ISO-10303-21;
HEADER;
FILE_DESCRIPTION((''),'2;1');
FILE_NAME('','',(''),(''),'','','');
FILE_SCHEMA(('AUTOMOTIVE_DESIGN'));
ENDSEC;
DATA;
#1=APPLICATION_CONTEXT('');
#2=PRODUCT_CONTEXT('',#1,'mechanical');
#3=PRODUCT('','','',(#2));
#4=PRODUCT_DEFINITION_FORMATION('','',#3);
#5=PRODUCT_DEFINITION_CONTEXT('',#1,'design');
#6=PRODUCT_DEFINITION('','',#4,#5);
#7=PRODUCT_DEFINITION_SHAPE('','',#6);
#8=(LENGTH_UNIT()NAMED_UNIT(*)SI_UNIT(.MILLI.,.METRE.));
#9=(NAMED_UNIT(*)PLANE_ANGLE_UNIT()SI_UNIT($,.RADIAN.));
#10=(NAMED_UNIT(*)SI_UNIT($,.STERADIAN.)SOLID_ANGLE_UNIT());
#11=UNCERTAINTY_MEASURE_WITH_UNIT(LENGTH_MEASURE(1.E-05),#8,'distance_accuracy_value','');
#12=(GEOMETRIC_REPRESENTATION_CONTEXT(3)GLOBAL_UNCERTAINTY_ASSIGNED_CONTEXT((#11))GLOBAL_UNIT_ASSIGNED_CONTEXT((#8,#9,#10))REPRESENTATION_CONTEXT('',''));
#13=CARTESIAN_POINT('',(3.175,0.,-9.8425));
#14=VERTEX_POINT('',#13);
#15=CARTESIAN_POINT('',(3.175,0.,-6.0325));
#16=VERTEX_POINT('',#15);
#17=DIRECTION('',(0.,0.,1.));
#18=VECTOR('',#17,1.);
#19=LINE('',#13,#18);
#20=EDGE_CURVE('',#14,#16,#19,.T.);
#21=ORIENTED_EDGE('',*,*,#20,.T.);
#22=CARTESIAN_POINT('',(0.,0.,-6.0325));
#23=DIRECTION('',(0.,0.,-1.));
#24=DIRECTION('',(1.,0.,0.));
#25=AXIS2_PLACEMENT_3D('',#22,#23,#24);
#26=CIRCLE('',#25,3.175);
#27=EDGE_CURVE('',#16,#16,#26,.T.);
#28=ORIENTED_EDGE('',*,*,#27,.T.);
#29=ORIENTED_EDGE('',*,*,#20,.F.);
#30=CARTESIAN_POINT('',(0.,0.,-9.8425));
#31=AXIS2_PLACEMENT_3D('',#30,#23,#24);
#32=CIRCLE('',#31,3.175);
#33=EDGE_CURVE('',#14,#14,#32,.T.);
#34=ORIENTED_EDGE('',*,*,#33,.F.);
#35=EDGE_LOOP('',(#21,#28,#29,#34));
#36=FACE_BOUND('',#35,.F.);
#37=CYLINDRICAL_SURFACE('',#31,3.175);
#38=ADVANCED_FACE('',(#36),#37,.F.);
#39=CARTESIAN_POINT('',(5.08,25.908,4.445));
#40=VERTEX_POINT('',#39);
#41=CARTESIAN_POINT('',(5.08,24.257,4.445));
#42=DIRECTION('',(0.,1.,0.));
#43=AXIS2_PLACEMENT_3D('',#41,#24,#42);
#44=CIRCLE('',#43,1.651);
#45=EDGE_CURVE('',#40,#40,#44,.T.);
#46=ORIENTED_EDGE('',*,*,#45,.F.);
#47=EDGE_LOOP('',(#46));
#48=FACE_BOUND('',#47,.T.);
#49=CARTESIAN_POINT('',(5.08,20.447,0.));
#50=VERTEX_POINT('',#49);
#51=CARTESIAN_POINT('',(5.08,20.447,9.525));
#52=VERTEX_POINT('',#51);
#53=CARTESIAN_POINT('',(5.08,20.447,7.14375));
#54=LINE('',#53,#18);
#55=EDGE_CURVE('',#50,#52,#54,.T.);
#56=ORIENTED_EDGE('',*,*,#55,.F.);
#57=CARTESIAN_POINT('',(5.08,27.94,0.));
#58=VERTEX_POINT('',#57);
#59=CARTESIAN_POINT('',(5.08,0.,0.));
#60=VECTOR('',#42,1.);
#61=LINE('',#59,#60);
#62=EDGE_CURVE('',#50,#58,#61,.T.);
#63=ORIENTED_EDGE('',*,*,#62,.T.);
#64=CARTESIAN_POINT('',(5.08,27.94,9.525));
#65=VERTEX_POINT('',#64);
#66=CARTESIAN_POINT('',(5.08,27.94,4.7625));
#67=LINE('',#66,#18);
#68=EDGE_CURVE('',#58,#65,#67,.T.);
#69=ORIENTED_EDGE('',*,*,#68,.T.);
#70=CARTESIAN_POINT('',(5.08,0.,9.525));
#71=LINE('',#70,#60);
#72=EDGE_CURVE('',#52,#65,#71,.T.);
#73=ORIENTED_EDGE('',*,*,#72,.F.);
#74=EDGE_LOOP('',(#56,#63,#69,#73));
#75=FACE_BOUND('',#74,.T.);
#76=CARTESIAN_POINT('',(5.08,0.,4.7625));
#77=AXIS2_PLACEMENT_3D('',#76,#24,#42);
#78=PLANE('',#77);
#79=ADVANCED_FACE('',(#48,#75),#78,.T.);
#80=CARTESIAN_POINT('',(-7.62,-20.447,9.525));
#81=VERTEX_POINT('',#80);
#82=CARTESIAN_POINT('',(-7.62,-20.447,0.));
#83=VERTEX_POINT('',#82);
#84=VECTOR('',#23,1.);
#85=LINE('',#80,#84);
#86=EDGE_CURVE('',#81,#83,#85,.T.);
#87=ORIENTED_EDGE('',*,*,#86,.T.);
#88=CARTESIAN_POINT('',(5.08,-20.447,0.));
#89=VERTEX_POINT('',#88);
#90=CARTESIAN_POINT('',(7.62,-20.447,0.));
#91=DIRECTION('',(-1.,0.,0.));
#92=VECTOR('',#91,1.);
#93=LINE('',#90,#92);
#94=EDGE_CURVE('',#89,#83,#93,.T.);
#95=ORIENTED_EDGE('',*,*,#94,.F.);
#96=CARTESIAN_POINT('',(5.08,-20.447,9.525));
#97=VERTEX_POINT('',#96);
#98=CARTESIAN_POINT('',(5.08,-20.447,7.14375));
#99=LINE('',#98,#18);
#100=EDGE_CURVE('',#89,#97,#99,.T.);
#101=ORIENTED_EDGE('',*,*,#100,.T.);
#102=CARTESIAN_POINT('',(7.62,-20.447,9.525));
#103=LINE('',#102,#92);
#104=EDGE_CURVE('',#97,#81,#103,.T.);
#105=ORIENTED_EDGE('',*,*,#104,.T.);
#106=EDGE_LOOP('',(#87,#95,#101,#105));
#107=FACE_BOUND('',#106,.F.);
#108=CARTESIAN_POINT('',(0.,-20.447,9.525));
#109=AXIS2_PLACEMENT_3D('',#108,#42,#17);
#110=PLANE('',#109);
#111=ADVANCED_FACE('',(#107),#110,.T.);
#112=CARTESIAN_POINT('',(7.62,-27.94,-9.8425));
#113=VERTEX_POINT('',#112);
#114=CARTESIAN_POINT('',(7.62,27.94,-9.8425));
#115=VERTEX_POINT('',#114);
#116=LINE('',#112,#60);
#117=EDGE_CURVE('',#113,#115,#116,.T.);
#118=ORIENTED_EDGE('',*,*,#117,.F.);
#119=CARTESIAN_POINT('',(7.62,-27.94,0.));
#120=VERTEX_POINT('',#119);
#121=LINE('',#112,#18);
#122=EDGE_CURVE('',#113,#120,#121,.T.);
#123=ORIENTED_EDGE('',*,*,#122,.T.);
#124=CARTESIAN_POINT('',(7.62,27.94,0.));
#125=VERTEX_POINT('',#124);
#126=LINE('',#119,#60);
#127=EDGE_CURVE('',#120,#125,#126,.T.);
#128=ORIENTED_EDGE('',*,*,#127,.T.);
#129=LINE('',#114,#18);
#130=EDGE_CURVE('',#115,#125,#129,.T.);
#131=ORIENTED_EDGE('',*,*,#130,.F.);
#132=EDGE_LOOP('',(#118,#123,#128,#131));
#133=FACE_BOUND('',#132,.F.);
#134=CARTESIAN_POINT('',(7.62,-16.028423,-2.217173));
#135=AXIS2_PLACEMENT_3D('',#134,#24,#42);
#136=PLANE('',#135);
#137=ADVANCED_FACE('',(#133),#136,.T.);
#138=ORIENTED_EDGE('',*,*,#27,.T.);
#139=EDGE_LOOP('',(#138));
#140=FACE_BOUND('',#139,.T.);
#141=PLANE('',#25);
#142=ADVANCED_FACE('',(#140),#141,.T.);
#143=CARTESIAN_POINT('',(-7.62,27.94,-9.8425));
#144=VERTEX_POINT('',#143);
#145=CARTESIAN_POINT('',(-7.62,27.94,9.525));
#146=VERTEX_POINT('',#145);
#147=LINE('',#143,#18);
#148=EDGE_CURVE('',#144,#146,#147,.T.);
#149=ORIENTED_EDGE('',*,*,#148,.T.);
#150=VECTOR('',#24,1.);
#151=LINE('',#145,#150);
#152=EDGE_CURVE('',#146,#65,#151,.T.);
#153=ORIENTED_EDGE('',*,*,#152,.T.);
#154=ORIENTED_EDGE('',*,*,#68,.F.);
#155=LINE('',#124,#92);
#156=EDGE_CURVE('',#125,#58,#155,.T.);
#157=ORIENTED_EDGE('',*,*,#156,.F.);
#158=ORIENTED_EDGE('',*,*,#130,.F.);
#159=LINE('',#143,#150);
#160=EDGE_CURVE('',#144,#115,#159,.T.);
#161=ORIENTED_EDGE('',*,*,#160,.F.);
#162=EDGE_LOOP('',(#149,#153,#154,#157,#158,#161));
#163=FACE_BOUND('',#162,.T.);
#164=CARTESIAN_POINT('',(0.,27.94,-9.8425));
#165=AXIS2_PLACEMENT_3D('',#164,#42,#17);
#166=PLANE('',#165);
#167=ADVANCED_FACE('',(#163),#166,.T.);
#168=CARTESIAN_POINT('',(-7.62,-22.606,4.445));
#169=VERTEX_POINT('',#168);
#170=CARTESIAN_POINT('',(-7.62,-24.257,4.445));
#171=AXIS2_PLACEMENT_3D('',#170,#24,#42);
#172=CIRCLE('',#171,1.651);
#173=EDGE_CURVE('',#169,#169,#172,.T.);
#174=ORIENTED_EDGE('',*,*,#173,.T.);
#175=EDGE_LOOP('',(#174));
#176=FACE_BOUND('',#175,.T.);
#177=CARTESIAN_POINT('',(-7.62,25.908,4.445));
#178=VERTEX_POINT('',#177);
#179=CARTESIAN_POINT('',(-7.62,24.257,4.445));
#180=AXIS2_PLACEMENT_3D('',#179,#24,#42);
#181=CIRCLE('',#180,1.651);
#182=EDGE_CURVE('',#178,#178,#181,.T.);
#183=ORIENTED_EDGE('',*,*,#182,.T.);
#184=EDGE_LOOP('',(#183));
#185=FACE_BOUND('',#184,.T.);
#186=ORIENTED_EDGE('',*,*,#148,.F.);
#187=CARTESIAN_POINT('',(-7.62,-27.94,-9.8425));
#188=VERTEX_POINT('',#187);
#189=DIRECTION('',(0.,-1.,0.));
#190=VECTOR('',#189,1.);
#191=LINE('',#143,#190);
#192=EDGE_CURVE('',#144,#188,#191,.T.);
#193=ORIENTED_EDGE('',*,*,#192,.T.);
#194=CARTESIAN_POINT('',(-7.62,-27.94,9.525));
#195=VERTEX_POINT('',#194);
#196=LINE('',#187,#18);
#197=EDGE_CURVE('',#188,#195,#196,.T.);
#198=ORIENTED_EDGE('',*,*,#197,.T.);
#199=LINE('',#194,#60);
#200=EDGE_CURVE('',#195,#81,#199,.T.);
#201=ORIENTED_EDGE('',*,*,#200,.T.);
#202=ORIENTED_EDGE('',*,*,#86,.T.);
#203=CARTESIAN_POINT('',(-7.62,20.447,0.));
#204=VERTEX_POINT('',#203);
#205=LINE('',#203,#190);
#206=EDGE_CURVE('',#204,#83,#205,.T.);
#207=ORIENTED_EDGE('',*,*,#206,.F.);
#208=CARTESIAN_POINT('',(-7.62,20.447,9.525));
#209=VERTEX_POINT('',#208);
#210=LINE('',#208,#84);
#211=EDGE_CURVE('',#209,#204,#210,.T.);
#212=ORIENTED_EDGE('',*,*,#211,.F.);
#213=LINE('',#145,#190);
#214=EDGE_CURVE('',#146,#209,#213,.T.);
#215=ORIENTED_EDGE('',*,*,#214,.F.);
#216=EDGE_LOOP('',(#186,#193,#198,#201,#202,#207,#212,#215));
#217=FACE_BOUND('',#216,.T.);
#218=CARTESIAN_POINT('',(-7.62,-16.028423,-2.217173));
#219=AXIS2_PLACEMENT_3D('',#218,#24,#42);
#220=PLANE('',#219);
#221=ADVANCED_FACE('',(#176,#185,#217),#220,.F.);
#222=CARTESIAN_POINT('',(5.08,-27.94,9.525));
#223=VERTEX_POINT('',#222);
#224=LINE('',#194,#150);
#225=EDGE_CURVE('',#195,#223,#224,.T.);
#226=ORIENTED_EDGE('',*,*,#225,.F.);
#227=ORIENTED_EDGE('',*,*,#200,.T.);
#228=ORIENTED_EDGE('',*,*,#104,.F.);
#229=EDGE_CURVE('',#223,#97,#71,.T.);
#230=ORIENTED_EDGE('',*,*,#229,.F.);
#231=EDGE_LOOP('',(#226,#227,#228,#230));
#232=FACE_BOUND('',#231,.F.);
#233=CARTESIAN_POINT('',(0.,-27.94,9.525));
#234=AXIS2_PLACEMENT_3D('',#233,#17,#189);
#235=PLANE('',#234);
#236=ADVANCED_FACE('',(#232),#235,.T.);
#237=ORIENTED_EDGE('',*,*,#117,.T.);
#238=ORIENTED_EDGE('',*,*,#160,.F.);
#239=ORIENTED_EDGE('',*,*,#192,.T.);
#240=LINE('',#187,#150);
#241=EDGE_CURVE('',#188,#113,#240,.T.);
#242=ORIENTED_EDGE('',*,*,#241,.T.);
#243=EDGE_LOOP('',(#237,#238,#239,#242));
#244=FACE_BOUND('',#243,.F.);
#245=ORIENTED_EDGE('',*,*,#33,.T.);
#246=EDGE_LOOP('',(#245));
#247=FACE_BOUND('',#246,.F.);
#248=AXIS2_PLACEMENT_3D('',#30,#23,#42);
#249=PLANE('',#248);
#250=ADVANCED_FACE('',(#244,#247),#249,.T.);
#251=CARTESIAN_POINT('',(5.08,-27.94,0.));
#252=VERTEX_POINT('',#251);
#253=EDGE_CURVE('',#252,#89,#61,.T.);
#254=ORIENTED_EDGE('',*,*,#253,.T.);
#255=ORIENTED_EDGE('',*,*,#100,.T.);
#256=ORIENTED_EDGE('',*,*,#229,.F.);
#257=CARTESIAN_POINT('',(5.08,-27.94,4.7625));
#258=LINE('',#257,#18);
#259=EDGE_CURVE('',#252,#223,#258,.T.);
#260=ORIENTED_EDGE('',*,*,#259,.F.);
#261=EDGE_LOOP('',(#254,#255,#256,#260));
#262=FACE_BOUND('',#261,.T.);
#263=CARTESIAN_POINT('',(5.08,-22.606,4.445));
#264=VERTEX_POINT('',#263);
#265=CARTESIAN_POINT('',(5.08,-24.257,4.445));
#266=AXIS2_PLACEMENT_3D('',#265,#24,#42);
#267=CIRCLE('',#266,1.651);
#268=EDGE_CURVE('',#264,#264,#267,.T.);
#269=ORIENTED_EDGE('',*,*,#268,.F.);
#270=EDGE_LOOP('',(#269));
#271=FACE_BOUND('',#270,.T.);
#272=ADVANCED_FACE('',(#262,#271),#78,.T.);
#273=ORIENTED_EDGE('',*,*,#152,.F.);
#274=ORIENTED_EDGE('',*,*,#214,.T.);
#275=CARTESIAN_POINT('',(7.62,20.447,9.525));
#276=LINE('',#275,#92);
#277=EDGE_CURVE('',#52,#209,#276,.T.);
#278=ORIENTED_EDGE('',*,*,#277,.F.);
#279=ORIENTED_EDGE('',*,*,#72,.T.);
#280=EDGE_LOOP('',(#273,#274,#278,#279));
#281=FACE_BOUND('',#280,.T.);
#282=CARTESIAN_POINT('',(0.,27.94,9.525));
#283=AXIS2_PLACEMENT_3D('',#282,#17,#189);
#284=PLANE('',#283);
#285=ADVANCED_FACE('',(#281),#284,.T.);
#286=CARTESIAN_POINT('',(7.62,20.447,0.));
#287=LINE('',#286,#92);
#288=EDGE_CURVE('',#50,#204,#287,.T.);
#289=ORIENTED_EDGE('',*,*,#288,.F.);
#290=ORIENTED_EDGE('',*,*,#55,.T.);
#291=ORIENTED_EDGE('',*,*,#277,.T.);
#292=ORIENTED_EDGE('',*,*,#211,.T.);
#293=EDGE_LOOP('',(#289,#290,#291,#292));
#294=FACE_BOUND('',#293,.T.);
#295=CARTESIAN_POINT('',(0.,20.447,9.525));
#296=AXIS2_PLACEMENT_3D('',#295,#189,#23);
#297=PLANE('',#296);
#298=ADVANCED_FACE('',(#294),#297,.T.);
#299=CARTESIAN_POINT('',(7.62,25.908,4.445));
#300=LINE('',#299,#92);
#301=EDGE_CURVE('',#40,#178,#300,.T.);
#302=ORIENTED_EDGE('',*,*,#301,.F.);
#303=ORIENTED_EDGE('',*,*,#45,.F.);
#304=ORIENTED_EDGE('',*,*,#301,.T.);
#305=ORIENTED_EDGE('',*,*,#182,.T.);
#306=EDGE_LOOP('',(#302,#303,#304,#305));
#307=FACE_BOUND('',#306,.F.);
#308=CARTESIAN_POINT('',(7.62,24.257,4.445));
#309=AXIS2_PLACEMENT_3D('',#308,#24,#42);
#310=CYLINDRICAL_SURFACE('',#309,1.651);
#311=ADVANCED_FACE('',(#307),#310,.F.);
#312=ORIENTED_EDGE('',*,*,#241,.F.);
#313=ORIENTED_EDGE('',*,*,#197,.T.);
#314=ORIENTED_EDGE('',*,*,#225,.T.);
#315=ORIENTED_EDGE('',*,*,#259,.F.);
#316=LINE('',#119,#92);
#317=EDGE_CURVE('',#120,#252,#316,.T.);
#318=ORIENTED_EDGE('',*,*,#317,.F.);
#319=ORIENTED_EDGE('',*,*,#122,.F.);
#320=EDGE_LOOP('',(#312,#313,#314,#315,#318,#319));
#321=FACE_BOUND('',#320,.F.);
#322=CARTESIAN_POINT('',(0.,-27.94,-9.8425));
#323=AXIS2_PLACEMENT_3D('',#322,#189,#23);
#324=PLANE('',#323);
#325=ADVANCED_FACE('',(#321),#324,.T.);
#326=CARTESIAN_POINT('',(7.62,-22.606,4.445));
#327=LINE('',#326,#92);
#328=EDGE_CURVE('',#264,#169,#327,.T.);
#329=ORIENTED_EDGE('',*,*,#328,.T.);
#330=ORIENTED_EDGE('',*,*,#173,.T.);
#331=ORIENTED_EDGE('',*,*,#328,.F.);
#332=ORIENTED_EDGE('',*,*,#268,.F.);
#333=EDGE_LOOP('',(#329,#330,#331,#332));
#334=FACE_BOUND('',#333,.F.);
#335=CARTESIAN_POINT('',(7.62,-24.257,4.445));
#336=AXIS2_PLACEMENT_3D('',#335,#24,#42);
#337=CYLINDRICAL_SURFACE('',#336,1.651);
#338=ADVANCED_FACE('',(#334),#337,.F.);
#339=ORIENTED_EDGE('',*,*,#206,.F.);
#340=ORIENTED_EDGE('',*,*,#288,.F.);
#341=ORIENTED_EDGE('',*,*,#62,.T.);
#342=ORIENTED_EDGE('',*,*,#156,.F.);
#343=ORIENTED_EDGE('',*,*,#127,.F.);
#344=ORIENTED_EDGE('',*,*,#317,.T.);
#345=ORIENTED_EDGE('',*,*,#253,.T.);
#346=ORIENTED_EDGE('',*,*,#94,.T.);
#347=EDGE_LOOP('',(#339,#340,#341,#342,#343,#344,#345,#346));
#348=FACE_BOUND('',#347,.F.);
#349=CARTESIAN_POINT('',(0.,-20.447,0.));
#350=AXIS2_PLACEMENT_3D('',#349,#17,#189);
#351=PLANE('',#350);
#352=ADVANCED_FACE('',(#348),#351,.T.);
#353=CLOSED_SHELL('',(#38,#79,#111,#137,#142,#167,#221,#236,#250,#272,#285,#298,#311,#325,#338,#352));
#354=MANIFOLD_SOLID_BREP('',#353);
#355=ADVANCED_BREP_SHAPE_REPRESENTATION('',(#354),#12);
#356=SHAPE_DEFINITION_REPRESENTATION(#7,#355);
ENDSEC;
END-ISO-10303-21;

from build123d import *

# Parameters (mm, degrees)
F1_DEPTH = 7.62
F3_R     = 1.651
F4_DEPTH = 25.4
F5_R     = 3.175
F6_DEPTH = 3.81
F7_W     = 55.88
F7_H     = 9.525
F8_DEPTH = 2.54


with BuildPart() as f1:
    # F0 (on Right) → F1 (new body, symmetric)
    with BuildSketch(Plane.YZ):
        Polygon((0, 0), (0, -9.8425), (27.94, -9.8425), (27.94, 9.525), (20.447, 9.525), (20.447, 0), align=None)
    extrude(amount=F1_DEPTH, both=True)

    # F2: F1 across plane


with BuildPart() as f1_1:
    add(f1.part)
    add(f1.part.mirror(Plane.XZ))

    # F3 (on face) → F4 (cut)
    with BuildSketch(Plane.YZ.offset(7.62)):
        with Locations((-24.257, 4.445)):
            Circle(F3_R)
        with Locations((24.257, 4.445)):
            Circle(F3_R)
    extrude(amount=-F4_DEPTH, mode=Mode.SUBTRACT)

    # F5 (on face) → F6 (cut)
    with BuildSketch(Plane(origin=(0, 0, -9.8425), x_dir=(1, 0, 0), z_dir=(0, 0, -1))):
        Circle(F5_R)
    extrude(amount=-F6_DEPTH, mode=Mode.SUBTRACT)

    # F7 (on face) → F8 (cut)
    with BuildSketch(Plane.YZ.offset(7.62)):
        with Locations((0, 4.7625)):
            Rectangle(F7_W, F7_H)
    extrude(amount=-F8_DEPTH, mode=Mode.SUBTRACT)


solid = f1_1.part
